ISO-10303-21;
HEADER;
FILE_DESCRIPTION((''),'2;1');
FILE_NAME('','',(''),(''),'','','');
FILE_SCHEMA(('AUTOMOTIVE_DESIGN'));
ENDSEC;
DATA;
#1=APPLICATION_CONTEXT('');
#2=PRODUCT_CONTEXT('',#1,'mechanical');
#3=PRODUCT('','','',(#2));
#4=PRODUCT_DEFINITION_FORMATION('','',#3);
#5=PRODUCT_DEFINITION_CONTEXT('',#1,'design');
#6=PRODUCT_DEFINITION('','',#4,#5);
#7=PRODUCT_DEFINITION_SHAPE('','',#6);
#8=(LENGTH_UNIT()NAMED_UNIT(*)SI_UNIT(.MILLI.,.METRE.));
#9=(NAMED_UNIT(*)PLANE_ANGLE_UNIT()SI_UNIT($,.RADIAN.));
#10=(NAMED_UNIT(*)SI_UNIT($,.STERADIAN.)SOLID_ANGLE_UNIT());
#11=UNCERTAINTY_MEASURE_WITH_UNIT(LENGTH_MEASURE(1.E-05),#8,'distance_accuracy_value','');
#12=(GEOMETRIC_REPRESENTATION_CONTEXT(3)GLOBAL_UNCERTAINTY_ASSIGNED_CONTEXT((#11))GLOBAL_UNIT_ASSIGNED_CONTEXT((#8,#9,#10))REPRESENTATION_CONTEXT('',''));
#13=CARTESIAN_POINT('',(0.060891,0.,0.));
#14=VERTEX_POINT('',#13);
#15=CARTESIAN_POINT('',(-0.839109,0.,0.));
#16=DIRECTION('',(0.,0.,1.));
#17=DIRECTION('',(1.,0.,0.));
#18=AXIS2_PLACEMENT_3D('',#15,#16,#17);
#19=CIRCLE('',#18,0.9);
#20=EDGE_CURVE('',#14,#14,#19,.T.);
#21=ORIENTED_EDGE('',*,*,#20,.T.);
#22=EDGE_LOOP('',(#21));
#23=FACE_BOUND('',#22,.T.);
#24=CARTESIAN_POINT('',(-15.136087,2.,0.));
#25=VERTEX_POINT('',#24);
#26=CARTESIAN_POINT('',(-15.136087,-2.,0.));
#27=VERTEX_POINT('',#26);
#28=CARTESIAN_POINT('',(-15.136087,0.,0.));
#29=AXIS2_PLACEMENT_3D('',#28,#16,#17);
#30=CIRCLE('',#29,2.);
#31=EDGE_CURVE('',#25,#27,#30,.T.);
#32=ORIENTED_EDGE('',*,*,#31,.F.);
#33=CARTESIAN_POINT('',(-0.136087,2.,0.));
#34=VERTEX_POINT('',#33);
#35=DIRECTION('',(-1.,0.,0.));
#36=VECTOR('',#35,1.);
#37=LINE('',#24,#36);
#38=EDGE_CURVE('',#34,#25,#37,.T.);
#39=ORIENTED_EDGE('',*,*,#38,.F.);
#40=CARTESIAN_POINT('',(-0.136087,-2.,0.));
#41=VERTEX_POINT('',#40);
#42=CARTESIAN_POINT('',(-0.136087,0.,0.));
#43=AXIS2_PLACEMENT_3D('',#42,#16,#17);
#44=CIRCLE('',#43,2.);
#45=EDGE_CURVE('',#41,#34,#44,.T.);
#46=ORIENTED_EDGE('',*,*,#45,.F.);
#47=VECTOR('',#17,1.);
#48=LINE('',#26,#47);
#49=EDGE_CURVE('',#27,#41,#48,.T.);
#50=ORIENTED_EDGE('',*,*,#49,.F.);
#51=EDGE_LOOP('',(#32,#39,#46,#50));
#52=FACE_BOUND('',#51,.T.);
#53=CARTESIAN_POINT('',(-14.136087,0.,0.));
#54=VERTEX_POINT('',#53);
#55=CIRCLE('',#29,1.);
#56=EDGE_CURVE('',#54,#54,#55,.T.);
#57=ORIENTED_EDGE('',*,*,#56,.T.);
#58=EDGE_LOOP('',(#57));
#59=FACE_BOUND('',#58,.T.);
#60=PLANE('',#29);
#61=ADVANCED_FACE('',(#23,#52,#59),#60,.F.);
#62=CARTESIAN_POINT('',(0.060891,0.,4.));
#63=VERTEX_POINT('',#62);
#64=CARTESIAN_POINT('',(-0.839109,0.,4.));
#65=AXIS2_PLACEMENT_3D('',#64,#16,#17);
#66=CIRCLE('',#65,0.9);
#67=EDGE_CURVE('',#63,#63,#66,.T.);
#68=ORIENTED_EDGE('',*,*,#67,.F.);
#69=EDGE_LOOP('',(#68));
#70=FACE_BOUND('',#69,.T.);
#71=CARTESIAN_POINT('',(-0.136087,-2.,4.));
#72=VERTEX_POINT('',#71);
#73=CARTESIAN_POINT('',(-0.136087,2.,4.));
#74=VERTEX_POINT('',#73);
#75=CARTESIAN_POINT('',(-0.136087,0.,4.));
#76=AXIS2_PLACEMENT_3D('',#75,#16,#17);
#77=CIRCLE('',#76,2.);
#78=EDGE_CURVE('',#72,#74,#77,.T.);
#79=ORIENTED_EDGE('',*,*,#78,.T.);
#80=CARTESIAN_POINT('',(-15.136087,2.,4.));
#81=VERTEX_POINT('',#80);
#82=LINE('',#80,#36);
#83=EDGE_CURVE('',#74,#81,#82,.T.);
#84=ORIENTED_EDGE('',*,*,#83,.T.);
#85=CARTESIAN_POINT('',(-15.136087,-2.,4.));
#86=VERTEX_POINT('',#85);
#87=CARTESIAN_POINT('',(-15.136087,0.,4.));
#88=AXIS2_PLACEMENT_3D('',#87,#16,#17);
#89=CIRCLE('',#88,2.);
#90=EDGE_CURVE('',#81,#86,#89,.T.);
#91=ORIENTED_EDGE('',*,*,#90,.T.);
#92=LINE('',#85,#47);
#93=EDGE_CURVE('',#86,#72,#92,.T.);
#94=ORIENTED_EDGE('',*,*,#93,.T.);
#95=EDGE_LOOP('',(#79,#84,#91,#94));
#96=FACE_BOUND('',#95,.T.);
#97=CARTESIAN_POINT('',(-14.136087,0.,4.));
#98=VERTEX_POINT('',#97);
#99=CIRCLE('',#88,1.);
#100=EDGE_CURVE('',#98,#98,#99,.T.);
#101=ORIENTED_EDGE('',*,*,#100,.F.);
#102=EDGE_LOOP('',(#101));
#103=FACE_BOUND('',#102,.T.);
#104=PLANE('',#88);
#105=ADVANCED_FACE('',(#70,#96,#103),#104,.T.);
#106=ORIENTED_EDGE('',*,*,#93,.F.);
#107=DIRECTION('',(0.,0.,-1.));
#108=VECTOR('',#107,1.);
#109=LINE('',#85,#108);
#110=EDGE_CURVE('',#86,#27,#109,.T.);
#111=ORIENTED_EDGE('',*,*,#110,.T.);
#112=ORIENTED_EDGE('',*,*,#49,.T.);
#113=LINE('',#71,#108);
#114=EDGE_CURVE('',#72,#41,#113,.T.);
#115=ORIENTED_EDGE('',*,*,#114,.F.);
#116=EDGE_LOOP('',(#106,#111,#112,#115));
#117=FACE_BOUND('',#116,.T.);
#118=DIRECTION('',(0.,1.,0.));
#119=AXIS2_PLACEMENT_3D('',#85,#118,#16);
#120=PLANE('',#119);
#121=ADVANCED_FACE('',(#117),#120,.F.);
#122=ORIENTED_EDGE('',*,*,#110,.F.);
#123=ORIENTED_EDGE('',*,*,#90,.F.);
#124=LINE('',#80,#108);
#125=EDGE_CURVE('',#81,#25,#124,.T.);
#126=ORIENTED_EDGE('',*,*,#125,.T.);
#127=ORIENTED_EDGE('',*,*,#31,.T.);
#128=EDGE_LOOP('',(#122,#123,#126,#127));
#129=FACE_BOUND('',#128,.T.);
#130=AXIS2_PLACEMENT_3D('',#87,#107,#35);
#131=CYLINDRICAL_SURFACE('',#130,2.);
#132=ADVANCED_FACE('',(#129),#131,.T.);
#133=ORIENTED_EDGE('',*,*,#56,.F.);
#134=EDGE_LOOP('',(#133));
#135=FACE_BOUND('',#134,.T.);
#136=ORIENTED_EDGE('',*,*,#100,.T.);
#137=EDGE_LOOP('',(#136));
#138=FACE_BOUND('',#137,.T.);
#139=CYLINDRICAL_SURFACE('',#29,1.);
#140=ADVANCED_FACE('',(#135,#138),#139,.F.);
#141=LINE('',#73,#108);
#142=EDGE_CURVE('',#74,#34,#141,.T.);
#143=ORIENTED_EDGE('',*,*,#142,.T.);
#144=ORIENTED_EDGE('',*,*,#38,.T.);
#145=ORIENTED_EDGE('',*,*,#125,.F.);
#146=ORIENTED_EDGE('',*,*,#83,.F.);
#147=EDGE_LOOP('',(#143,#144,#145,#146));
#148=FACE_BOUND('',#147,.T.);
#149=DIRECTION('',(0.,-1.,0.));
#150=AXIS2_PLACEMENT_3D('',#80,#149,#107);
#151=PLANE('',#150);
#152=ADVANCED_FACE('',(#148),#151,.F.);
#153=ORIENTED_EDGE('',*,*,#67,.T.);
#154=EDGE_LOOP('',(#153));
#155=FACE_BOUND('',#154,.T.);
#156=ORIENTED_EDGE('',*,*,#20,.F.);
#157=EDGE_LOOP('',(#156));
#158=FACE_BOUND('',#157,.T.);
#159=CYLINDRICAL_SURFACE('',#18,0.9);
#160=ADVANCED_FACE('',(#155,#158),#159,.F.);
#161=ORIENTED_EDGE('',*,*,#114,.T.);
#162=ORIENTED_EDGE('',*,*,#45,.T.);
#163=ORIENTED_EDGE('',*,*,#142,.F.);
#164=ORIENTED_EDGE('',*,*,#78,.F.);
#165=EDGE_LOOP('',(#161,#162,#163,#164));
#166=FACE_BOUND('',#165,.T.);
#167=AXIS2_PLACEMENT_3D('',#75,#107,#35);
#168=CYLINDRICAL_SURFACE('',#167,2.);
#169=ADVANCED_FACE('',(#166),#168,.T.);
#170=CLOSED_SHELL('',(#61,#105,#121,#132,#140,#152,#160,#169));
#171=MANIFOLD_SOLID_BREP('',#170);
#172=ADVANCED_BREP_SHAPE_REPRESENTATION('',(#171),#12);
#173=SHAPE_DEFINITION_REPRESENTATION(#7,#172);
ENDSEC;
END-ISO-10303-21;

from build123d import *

# Parameters (mm, degrees)
SALIENTE_EXTRUIR1_DEPTH = 4
CROQUIS2_R              = 1
CROQUIS2_R_2            = 0.9
CORTAR_EXTRUIR1_DEPTH   = 18.710038682


with BuildPart() as part:
    # Croquis1 → Saliente-Extruir1 (new body)
    with BuildSketch(Plane.XY):
        with BuildLine():
            Line((-15.13608678, 2), (-0.13608678, 2))
            ThreePointArc((-0.13608678, 2), (1.86391322, 0), (-0.13608678, -2))
            Line((-0.13608678, -2), (-15.13608678, -2))
            ThreePointArc((-15.13608678, -2), (-17.13608678, 0), (-15.13608678, 2))
        make_face()
    extrude(amount=SALIENTE_EXTRUIR1_DEPTH)

    # Croquis2 → Cortar-Extruir1 (cut, through all)
    with BuildSketch(Plane.XY.offset(4)):
        with Locations((-15.13608678, 0)):
            Circle(CROQUIS2_R)
        with Locations((-0.839109338, 0)):
            Circle(CROQUIS2_R_2)
    extrude(amount=-CORTAR_EXTRUIR1_DEPTH, mode=Mode.SUBTRACT)


solid = part.part
